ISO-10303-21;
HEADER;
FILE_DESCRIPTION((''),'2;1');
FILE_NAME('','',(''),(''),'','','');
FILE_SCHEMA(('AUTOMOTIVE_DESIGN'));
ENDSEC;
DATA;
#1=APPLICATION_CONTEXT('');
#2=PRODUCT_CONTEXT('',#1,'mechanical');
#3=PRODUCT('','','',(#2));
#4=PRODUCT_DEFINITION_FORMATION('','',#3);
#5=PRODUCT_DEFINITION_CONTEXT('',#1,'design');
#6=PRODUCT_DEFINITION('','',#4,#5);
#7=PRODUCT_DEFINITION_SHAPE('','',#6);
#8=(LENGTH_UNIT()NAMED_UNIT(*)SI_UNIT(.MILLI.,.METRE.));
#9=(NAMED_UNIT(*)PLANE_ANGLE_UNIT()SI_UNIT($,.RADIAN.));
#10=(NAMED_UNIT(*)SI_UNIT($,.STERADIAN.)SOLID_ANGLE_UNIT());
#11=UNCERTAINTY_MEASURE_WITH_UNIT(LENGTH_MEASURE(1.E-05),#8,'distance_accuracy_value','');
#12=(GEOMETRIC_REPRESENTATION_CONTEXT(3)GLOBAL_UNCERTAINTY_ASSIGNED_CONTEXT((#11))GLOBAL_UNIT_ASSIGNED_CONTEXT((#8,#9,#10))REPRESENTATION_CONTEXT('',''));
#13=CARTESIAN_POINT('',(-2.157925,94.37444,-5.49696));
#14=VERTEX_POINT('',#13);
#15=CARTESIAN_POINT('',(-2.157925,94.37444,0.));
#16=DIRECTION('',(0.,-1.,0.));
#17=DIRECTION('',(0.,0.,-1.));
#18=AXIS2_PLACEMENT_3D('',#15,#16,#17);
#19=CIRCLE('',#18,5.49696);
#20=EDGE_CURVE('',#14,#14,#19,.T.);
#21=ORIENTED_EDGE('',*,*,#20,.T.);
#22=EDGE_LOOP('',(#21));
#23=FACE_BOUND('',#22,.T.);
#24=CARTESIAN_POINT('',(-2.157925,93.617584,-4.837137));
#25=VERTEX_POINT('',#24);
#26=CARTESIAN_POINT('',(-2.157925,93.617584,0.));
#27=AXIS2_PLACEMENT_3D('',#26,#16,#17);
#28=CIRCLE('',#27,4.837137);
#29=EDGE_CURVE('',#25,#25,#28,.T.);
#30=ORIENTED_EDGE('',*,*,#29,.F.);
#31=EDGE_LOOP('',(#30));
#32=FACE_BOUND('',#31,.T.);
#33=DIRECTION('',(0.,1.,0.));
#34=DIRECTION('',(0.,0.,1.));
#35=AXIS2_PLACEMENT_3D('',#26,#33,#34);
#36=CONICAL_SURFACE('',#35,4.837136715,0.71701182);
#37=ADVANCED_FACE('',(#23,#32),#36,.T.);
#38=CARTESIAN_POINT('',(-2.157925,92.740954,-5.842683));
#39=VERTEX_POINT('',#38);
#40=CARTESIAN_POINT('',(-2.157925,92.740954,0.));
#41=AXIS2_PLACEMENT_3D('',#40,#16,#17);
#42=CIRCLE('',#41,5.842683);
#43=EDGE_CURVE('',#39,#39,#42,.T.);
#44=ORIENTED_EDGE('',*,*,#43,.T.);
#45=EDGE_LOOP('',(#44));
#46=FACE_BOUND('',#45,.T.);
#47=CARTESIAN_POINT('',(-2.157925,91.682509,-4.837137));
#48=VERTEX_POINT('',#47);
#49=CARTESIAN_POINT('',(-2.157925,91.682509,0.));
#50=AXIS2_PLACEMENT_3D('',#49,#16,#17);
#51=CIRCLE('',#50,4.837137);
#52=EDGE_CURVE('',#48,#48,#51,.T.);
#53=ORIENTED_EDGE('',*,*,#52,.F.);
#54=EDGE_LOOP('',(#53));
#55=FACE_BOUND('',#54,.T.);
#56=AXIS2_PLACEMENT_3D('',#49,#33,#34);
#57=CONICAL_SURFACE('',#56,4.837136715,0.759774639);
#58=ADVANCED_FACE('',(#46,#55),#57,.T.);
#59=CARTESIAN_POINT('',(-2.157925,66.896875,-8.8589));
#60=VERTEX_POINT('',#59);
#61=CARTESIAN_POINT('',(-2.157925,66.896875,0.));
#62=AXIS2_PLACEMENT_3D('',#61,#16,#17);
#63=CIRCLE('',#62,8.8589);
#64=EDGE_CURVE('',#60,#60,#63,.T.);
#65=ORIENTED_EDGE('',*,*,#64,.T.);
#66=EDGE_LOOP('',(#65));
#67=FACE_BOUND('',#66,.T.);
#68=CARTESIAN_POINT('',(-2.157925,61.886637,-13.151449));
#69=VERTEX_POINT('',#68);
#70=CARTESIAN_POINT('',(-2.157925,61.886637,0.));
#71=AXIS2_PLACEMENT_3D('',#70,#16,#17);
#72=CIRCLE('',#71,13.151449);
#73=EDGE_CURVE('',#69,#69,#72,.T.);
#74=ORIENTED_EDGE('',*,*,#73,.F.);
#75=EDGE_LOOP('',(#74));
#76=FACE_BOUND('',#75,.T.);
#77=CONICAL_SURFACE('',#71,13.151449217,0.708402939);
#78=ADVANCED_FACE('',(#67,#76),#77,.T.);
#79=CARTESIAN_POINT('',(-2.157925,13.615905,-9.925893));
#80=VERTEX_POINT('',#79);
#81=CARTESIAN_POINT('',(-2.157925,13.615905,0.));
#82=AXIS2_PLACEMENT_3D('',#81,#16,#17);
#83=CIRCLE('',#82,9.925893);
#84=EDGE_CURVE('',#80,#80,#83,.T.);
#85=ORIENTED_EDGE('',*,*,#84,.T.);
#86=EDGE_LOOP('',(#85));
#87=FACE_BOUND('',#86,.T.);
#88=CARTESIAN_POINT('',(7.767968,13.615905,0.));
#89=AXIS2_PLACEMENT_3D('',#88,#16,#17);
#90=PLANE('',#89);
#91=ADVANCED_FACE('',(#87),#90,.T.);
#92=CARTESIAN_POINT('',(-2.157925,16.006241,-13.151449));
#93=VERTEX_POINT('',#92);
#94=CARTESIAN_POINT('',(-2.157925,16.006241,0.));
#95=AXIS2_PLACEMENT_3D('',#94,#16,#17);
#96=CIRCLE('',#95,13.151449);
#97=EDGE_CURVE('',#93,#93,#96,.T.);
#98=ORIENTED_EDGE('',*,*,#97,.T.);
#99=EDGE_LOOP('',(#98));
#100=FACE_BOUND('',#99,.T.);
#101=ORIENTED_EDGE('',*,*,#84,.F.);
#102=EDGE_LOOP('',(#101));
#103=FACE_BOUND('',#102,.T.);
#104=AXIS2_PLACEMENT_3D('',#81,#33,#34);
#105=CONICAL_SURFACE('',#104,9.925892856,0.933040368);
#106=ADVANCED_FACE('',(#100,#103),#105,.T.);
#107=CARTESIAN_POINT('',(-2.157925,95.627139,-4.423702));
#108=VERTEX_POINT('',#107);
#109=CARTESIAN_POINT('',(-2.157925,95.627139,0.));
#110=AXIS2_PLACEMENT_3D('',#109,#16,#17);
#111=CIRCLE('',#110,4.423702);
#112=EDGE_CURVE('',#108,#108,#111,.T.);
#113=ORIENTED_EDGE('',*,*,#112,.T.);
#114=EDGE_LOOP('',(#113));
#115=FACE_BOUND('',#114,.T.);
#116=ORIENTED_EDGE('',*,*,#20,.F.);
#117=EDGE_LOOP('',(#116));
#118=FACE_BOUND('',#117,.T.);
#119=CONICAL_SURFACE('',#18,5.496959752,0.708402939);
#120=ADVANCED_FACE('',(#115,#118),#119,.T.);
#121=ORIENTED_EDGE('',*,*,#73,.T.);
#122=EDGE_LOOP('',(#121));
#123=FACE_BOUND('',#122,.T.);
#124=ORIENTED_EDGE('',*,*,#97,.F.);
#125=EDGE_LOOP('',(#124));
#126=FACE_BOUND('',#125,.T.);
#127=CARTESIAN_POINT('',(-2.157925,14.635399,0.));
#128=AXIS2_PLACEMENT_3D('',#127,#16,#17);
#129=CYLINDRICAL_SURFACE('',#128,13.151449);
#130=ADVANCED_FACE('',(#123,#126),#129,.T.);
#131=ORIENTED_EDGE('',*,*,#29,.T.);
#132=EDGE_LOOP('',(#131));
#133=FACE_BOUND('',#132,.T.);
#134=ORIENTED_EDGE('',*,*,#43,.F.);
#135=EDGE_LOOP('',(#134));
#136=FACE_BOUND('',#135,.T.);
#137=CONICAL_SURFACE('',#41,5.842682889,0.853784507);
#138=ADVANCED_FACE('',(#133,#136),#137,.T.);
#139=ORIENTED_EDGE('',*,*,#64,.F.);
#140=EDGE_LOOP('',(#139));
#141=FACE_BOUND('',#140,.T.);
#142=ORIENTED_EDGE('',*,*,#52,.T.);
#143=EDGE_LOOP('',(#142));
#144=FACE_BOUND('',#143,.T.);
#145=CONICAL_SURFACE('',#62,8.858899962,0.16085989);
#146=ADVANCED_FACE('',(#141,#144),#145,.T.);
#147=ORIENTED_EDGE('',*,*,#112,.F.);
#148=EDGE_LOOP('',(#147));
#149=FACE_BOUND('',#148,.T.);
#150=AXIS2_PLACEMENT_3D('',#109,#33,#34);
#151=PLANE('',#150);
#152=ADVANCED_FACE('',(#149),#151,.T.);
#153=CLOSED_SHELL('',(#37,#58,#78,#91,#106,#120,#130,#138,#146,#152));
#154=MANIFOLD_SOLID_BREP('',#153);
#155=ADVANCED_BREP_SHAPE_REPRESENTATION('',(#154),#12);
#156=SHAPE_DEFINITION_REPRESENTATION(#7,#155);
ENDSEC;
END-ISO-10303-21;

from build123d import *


with BuildPart() as part:
    # Sketch1 → Revolve1 (revolve)
    with BuildSketch(Plane.XY, mode=Mode.PRIVATE) as revolve1_sk:
        Polygon((-2.157924716, 95.627139463), (2.265777561, 95.627139463), (3.339035036, 94.37443965), (2.679211999, 93.617583814), (3.684758174, 92.740953816), (2.679211999, 91.682509349), (6.700975246, 66.896875407), (10.993524502, 61.88663716), (10.993524502, 16.006240694), (7.76796814, 13.615904673), (-2.157924716, 13.615904673), (-2.157924716, 14.635398959), align=None)
    revolve(revolve1_sk.sketch.rotate(Axis((-2.157924716, 14.635398959, 0), (0, 1, 0)), 90), axis=Axis((-2.157924716, 14.635398959, 0), (0, 1, 0)))


solid = part.part
